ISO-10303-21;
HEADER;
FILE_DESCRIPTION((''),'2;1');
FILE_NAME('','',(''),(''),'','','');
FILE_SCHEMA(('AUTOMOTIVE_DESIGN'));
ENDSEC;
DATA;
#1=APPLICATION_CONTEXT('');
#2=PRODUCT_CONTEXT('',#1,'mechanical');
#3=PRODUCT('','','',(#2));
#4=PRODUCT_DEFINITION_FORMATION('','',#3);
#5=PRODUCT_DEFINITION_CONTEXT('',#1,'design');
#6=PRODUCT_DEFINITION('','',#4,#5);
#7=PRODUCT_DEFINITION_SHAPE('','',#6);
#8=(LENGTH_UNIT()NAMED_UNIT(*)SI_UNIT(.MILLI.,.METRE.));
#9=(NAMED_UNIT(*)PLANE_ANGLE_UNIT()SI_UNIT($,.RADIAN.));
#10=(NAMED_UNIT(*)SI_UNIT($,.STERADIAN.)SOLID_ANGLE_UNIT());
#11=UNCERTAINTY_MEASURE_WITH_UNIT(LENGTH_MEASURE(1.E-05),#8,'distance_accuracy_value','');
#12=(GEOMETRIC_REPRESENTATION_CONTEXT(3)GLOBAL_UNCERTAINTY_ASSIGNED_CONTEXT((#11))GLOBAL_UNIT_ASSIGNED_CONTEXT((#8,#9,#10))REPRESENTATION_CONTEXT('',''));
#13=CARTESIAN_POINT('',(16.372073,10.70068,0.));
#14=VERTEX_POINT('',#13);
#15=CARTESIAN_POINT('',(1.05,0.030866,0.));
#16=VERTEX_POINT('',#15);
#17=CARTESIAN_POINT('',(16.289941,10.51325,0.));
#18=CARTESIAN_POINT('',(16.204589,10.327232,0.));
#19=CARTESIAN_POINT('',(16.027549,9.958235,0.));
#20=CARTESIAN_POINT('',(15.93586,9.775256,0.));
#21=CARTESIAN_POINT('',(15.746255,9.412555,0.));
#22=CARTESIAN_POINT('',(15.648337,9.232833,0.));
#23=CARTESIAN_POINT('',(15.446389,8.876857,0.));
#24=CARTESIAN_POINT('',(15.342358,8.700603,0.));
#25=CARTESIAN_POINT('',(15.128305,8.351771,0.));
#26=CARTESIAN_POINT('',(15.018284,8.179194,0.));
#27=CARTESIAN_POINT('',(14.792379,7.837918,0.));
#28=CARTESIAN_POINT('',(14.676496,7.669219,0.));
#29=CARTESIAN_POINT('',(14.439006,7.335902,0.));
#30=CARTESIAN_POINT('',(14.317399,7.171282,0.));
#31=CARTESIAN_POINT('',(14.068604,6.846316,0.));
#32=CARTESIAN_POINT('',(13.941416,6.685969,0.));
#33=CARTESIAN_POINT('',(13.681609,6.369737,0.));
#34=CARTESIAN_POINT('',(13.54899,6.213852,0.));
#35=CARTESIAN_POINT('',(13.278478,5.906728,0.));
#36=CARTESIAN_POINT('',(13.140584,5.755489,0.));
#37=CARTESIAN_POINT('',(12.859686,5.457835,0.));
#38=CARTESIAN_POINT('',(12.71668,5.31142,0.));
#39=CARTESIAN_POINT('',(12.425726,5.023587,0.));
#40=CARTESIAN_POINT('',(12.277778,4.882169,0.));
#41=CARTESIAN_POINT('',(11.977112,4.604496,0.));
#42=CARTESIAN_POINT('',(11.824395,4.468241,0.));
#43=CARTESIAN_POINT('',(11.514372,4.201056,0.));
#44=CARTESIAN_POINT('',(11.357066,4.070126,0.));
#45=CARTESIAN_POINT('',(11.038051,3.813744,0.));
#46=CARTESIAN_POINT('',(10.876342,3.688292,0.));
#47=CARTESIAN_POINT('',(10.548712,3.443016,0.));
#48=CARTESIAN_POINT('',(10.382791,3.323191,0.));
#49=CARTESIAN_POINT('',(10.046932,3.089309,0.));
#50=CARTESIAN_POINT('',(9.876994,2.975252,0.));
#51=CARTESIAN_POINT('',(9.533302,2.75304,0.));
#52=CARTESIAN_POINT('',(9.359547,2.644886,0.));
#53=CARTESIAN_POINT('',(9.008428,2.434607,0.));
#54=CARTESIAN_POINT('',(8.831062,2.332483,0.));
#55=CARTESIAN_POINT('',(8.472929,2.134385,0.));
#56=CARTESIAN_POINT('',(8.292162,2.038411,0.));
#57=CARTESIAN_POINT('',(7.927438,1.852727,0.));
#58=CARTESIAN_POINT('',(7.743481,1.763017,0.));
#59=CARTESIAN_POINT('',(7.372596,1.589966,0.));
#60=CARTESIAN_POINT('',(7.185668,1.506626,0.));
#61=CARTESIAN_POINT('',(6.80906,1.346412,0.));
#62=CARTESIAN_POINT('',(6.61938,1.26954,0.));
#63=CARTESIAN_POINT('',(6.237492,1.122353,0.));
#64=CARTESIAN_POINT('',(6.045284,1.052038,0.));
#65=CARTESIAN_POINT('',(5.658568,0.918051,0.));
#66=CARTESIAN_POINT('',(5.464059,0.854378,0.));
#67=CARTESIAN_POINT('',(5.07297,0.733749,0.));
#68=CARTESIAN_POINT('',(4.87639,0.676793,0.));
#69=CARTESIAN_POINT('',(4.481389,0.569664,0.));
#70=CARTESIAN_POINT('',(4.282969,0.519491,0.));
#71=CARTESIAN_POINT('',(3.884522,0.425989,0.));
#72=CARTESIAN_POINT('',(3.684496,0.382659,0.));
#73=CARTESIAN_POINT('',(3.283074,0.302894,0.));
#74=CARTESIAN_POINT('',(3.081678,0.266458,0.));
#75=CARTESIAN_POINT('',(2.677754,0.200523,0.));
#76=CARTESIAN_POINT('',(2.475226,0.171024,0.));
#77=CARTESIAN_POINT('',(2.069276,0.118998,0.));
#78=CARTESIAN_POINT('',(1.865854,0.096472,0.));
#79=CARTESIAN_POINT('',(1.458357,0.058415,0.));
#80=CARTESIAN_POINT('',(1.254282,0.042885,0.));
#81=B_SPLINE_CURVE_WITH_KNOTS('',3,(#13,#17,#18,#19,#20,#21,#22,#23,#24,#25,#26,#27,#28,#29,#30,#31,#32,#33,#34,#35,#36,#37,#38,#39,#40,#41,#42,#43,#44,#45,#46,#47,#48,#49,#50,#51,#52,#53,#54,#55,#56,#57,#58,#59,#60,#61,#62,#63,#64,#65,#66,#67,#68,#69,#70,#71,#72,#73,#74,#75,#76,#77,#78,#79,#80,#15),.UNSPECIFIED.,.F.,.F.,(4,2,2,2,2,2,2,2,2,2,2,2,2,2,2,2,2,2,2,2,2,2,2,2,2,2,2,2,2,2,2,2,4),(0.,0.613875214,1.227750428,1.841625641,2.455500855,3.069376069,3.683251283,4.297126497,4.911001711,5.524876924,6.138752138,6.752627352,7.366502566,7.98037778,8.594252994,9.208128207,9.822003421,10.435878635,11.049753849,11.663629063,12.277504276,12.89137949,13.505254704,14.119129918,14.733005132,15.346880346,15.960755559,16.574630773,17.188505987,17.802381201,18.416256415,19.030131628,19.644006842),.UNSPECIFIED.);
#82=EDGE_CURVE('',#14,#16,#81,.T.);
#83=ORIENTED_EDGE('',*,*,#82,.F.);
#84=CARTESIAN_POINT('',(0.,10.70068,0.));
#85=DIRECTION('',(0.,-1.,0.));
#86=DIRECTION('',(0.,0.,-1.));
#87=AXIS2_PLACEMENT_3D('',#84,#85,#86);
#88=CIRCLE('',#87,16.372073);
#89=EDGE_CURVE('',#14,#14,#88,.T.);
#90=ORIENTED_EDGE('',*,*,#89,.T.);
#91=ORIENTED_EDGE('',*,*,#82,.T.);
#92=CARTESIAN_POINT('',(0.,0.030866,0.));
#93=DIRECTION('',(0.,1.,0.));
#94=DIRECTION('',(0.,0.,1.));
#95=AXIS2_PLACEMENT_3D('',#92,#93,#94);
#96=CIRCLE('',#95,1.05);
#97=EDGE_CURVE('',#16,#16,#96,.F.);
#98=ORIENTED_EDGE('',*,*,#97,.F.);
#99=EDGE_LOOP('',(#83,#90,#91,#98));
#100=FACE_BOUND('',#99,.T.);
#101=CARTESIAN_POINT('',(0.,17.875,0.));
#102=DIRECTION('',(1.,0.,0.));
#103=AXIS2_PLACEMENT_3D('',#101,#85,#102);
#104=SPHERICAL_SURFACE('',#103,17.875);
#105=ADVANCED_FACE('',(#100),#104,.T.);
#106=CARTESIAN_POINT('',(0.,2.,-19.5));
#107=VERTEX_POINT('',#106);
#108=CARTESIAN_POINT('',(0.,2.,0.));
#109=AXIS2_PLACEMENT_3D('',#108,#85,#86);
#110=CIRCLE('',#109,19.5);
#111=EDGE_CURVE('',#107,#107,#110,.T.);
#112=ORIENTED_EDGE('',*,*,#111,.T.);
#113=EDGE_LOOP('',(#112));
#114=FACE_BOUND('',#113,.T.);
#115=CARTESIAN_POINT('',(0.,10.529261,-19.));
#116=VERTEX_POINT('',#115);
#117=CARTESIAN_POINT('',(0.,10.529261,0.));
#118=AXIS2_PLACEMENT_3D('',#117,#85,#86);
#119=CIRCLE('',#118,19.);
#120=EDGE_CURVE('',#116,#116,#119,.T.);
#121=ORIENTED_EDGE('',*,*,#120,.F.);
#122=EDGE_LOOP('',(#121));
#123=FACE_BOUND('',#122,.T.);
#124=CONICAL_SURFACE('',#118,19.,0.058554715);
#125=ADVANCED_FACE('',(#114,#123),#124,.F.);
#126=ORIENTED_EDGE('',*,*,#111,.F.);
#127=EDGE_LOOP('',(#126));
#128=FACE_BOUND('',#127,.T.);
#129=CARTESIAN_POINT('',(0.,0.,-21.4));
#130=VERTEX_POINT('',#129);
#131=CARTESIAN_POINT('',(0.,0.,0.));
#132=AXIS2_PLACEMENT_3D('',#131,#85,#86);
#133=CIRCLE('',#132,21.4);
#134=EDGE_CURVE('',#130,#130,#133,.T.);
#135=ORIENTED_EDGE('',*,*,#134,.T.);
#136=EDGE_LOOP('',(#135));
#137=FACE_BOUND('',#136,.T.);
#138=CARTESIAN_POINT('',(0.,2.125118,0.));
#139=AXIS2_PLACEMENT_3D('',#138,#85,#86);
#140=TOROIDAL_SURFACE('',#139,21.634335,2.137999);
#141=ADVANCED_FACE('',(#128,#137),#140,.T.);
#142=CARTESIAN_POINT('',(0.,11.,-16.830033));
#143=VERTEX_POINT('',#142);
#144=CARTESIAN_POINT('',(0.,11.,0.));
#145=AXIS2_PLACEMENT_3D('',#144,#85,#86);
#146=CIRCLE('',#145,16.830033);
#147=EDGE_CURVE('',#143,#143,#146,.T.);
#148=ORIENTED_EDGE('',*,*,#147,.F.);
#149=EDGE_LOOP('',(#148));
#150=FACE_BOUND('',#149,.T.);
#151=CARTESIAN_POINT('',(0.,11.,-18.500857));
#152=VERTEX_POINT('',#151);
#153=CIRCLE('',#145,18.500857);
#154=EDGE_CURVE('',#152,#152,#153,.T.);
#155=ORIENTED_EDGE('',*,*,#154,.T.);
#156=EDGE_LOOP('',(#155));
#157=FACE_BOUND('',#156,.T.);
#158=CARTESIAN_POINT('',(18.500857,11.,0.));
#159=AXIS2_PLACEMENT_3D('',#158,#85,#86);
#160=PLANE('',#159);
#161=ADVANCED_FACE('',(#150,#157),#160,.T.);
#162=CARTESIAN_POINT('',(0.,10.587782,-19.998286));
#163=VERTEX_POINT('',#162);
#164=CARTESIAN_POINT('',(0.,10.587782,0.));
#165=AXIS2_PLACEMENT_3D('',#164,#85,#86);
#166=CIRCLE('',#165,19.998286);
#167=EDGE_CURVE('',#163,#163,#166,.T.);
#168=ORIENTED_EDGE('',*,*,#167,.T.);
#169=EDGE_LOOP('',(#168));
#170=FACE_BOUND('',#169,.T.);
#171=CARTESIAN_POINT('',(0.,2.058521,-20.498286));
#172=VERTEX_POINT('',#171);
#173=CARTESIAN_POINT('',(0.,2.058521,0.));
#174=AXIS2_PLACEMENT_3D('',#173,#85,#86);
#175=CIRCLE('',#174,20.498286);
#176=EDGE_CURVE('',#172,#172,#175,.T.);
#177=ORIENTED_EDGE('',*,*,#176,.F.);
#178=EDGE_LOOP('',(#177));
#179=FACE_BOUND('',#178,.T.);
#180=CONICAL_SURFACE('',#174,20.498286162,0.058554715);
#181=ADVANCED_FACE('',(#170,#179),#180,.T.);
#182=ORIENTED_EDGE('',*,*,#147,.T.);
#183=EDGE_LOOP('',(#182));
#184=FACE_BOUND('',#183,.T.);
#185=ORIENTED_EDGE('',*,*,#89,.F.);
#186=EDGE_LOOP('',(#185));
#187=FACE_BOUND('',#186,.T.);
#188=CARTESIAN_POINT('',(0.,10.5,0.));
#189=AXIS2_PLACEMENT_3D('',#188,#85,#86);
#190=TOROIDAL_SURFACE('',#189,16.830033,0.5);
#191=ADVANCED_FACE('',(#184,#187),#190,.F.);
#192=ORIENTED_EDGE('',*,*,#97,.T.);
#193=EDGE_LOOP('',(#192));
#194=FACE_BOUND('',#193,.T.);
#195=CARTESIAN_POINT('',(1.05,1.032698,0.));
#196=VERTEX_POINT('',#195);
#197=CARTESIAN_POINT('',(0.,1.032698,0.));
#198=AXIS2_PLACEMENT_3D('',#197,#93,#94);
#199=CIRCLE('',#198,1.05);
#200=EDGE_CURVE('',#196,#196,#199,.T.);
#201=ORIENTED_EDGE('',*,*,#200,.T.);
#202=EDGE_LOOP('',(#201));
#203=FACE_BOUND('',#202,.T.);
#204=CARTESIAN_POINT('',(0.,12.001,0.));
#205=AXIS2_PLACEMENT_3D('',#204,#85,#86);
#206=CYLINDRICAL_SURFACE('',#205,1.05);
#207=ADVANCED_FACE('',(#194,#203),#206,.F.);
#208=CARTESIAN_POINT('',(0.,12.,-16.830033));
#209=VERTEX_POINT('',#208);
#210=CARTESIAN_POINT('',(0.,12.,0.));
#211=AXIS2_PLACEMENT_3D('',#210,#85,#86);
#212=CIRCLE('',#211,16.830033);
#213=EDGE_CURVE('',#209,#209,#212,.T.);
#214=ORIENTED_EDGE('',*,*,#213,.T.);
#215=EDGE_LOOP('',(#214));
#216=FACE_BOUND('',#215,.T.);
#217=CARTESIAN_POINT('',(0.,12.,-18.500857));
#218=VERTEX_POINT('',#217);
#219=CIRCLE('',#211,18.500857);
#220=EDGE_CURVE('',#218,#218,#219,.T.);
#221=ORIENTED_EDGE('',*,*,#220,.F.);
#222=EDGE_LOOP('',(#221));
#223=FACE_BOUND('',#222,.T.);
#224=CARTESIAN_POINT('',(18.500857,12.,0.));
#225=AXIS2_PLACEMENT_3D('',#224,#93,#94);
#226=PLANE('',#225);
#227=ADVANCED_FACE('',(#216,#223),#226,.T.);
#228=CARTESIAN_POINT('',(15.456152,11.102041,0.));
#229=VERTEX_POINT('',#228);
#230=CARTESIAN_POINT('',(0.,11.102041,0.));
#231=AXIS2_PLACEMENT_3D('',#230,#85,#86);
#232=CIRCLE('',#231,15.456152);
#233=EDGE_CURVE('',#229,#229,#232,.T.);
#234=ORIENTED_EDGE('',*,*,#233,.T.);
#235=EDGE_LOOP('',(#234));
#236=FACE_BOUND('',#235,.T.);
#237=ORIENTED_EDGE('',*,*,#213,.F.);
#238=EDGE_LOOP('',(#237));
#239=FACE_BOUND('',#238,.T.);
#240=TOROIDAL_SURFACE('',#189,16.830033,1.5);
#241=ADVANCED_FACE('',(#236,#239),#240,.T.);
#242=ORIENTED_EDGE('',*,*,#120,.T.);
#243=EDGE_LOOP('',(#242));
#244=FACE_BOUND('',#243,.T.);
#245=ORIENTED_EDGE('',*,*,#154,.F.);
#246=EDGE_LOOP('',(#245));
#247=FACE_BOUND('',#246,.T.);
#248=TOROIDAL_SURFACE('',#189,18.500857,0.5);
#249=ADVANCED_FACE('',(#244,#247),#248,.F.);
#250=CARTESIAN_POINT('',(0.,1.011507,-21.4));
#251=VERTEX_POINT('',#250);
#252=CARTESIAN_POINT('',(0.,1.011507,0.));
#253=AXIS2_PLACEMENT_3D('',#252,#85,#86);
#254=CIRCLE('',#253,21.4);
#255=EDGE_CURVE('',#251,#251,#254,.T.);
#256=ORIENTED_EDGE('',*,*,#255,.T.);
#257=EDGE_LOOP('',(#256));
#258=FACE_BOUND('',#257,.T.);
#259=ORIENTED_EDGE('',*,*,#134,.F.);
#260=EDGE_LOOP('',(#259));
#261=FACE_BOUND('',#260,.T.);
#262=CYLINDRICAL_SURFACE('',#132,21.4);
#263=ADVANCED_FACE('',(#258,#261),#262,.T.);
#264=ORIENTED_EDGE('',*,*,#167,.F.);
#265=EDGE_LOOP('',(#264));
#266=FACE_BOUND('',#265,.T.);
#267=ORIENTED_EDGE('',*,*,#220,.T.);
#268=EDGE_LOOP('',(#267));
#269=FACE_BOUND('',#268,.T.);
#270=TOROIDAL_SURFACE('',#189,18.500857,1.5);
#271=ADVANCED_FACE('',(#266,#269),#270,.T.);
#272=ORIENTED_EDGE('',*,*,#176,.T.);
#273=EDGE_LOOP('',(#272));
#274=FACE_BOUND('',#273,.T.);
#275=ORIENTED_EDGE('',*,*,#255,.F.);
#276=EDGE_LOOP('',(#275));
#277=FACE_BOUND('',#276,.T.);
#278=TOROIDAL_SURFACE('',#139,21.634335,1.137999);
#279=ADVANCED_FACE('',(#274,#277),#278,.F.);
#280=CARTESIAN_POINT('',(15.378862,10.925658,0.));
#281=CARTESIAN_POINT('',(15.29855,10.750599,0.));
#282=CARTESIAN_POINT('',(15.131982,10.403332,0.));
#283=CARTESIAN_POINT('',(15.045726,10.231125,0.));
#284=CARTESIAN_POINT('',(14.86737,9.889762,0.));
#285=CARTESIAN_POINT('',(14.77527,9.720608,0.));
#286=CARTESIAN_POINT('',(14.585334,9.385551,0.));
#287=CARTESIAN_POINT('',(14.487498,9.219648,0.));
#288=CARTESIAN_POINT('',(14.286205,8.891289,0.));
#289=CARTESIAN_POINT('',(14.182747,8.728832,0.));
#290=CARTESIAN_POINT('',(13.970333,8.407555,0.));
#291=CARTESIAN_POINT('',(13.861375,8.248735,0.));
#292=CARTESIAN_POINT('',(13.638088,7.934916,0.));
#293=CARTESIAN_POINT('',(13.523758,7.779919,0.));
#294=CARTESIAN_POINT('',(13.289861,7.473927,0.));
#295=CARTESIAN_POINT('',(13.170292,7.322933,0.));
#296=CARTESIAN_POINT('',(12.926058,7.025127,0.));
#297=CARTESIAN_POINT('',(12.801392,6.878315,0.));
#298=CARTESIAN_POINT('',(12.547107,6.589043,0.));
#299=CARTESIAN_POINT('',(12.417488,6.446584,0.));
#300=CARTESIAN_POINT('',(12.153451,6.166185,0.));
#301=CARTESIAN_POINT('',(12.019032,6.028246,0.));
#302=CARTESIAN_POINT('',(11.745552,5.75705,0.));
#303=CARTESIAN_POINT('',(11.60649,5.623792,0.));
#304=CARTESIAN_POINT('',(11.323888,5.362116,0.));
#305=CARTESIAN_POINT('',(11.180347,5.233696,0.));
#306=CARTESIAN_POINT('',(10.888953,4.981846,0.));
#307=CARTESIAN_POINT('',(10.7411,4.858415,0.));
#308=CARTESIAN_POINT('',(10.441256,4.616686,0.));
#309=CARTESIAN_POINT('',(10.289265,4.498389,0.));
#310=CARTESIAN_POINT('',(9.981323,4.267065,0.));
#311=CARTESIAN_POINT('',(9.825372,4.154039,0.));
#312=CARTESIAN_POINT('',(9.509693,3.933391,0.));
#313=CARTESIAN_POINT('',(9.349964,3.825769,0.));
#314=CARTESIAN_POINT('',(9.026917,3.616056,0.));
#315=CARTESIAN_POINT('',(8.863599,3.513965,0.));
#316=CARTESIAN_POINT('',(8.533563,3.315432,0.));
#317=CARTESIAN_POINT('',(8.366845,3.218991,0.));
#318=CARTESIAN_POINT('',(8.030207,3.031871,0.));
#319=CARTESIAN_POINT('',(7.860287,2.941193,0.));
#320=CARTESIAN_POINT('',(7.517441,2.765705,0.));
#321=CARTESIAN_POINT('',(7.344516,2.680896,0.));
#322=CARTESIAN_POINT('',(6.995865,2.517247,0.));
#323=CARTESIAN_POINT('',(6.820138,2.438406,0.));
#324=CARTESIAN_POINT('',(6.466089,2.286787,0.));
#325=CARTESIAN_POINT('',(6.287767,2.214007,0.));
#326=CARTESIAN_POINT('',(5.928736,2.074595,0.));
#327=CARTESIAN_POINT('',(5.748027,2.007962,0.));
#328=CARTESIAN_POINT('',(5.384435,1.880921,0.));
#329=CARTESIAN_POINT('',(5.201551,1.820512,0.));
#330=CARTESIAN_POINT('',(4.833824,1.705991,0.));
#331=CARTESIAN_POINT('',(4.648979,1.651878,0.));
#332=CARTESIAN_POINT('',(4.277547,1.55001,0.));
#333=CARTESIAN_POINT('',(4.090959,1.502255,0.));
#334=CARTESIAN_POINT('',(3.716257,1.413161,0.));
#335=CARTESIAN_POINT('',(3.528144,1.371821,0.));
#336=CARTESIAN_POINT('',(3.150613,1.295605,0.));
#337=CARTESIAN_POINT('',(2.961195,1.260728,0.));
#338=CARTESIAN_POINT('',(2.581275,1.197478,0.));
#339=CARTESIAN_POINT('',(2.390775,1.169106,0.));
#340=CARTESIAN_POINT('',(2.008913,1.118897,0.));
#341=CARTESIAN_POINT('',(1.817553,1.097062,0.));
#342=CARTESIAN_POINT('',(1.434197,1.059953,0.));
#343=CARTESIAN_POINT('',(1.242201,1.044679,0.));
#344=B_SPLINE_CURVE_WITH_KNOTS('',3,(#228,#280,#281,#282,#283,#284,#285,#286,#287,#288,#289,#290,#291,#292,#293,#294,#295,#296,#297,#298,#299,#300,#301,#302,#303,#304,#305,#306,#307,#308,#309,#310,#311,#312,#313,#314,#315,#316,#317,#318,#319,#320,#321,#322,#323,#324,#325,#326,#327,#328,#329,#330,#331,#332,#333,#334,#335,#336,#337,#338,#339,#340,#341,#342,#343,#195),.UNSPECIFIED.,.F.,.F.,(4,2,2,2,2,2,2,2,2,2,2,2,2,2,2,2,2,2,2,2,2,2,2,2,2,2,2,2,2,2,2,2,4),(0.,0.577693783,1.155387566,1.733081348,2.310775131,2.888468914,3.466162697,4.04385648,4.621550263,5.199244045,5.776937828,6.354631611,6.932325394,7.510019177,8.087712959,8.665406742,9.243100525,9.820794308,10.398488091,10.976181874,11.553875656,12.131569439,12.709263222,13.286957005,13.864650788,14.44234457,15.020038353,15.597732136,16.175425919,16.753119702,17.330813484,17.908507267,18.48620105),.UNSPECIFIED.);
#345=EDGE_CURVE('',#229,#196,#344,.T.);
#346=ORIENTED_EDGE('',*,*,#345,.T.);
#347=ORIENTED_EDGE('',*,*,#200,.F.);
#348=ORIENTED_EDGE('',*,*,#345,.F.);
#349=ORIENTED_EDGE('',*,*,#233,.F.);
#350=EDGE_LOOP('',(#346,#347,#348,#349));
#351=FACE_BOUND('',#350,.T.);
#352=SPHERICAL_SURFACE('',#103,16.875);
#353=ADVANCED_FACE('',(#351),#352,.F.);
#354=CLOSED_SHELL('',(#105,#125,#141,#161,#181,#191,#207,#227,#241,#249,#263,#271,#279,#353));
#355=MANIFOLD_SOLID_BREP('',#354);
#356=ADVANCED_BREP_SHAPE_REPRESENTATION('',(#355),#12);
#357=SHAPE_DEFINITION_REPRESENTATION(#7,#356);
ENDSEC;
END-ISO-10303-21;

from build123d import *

# Parameters (mm, degrees)
HOLE_IN_BASE_REACH      = 34.556
HOLE_IN_BASE_END_RADIUS = 16.875
SKETCH2_R               = 1.05


with BuildPart() as part:
    # Sketch1 → MAIN BODY (revolve)
    with BuildSketch(Plane.XY, mode=Mode.PRIVATE) as main_body_sk:
        with BuildLine():
            Line((19.5, 2), (19, 10.52926063))
            ThreePointArc((19, 10.52926063), (18.843909163, 10.863751505), (18.500856919, 11))
            Line((18.500856919, 11), (16.83003268, 11))
            ThreePointArc((16.83003268, 11), (16.556482077, 10.918533234), (16.372072607, 10.700680272))
            ThreePointArc((16.372072607, 10.700680272), (9.779434029, 2.912436882), (0, 0))
            Line((0, 0), (0, 1))
            ThreePointArc((0, 1), (9.232332825, 3.74950335), (15.456152461, 11.102040816))
            ThreePointArc((15.456152461, 11.102040816), (16.009380873, 11.755599702), (16.83003268, 12))
            Line((16.83003268, 12), (18.500856919, 12))
            ThreePointArc((18.500856919, 12), (19.530013652, 11.591254516), (19.998286162, 10.58778189))
            Line((19.998286162, 10.58778189), (20.498286162, 2.05852126))
            ThreePointArc((20.498286162, 2.05852126), (20.772043039, 1.382491449), (21.4, 1.011507368))
            Line((21.4, 1.011507368), (21.4, 0))
            ThreePointArc((21.4, 0), (20.084286851, 0.652572509), (19.5, 2))
        make_face()
    revolve(main_body_sk.sketch.rotate(Axis((0, 0, 0), (0, 1, 0)), 90), axis=Axis((0, 0, 0), (0, 1, 0)))

    # HOLE IN BASE: up to this sphere (the profile starts outside it)
    hole_in_base_end = Location((0, 17.875, 0)) * Sphere(HOLE_IN_BASE_END_RADIUS, mode=Mode.PRIVATE)
    # Sketch2 → HOLE IN BASE (cut, up to the surface)
    with BuildSketch(Plane(origin=(0, 0, 0), x_dir=(1, 0, 0), z_dir=(0, 1, 0)), mode=Mode.PRIVATE) as hole_in_base_sk1:
        Circle(SKETCH2_R)
    hole_in_base_tool1 = extrude(hole_in_base_sk1.sketch, amount=HOLE_IN_BASE_REACH, mode=Mode.PRIVATE) - hole_in_base_end
    add(hole_in_base_tool1.solids().sort_by_distance((0, 0, 0))[0], mode=Mode.SUBTRACT)


solid = part.part
